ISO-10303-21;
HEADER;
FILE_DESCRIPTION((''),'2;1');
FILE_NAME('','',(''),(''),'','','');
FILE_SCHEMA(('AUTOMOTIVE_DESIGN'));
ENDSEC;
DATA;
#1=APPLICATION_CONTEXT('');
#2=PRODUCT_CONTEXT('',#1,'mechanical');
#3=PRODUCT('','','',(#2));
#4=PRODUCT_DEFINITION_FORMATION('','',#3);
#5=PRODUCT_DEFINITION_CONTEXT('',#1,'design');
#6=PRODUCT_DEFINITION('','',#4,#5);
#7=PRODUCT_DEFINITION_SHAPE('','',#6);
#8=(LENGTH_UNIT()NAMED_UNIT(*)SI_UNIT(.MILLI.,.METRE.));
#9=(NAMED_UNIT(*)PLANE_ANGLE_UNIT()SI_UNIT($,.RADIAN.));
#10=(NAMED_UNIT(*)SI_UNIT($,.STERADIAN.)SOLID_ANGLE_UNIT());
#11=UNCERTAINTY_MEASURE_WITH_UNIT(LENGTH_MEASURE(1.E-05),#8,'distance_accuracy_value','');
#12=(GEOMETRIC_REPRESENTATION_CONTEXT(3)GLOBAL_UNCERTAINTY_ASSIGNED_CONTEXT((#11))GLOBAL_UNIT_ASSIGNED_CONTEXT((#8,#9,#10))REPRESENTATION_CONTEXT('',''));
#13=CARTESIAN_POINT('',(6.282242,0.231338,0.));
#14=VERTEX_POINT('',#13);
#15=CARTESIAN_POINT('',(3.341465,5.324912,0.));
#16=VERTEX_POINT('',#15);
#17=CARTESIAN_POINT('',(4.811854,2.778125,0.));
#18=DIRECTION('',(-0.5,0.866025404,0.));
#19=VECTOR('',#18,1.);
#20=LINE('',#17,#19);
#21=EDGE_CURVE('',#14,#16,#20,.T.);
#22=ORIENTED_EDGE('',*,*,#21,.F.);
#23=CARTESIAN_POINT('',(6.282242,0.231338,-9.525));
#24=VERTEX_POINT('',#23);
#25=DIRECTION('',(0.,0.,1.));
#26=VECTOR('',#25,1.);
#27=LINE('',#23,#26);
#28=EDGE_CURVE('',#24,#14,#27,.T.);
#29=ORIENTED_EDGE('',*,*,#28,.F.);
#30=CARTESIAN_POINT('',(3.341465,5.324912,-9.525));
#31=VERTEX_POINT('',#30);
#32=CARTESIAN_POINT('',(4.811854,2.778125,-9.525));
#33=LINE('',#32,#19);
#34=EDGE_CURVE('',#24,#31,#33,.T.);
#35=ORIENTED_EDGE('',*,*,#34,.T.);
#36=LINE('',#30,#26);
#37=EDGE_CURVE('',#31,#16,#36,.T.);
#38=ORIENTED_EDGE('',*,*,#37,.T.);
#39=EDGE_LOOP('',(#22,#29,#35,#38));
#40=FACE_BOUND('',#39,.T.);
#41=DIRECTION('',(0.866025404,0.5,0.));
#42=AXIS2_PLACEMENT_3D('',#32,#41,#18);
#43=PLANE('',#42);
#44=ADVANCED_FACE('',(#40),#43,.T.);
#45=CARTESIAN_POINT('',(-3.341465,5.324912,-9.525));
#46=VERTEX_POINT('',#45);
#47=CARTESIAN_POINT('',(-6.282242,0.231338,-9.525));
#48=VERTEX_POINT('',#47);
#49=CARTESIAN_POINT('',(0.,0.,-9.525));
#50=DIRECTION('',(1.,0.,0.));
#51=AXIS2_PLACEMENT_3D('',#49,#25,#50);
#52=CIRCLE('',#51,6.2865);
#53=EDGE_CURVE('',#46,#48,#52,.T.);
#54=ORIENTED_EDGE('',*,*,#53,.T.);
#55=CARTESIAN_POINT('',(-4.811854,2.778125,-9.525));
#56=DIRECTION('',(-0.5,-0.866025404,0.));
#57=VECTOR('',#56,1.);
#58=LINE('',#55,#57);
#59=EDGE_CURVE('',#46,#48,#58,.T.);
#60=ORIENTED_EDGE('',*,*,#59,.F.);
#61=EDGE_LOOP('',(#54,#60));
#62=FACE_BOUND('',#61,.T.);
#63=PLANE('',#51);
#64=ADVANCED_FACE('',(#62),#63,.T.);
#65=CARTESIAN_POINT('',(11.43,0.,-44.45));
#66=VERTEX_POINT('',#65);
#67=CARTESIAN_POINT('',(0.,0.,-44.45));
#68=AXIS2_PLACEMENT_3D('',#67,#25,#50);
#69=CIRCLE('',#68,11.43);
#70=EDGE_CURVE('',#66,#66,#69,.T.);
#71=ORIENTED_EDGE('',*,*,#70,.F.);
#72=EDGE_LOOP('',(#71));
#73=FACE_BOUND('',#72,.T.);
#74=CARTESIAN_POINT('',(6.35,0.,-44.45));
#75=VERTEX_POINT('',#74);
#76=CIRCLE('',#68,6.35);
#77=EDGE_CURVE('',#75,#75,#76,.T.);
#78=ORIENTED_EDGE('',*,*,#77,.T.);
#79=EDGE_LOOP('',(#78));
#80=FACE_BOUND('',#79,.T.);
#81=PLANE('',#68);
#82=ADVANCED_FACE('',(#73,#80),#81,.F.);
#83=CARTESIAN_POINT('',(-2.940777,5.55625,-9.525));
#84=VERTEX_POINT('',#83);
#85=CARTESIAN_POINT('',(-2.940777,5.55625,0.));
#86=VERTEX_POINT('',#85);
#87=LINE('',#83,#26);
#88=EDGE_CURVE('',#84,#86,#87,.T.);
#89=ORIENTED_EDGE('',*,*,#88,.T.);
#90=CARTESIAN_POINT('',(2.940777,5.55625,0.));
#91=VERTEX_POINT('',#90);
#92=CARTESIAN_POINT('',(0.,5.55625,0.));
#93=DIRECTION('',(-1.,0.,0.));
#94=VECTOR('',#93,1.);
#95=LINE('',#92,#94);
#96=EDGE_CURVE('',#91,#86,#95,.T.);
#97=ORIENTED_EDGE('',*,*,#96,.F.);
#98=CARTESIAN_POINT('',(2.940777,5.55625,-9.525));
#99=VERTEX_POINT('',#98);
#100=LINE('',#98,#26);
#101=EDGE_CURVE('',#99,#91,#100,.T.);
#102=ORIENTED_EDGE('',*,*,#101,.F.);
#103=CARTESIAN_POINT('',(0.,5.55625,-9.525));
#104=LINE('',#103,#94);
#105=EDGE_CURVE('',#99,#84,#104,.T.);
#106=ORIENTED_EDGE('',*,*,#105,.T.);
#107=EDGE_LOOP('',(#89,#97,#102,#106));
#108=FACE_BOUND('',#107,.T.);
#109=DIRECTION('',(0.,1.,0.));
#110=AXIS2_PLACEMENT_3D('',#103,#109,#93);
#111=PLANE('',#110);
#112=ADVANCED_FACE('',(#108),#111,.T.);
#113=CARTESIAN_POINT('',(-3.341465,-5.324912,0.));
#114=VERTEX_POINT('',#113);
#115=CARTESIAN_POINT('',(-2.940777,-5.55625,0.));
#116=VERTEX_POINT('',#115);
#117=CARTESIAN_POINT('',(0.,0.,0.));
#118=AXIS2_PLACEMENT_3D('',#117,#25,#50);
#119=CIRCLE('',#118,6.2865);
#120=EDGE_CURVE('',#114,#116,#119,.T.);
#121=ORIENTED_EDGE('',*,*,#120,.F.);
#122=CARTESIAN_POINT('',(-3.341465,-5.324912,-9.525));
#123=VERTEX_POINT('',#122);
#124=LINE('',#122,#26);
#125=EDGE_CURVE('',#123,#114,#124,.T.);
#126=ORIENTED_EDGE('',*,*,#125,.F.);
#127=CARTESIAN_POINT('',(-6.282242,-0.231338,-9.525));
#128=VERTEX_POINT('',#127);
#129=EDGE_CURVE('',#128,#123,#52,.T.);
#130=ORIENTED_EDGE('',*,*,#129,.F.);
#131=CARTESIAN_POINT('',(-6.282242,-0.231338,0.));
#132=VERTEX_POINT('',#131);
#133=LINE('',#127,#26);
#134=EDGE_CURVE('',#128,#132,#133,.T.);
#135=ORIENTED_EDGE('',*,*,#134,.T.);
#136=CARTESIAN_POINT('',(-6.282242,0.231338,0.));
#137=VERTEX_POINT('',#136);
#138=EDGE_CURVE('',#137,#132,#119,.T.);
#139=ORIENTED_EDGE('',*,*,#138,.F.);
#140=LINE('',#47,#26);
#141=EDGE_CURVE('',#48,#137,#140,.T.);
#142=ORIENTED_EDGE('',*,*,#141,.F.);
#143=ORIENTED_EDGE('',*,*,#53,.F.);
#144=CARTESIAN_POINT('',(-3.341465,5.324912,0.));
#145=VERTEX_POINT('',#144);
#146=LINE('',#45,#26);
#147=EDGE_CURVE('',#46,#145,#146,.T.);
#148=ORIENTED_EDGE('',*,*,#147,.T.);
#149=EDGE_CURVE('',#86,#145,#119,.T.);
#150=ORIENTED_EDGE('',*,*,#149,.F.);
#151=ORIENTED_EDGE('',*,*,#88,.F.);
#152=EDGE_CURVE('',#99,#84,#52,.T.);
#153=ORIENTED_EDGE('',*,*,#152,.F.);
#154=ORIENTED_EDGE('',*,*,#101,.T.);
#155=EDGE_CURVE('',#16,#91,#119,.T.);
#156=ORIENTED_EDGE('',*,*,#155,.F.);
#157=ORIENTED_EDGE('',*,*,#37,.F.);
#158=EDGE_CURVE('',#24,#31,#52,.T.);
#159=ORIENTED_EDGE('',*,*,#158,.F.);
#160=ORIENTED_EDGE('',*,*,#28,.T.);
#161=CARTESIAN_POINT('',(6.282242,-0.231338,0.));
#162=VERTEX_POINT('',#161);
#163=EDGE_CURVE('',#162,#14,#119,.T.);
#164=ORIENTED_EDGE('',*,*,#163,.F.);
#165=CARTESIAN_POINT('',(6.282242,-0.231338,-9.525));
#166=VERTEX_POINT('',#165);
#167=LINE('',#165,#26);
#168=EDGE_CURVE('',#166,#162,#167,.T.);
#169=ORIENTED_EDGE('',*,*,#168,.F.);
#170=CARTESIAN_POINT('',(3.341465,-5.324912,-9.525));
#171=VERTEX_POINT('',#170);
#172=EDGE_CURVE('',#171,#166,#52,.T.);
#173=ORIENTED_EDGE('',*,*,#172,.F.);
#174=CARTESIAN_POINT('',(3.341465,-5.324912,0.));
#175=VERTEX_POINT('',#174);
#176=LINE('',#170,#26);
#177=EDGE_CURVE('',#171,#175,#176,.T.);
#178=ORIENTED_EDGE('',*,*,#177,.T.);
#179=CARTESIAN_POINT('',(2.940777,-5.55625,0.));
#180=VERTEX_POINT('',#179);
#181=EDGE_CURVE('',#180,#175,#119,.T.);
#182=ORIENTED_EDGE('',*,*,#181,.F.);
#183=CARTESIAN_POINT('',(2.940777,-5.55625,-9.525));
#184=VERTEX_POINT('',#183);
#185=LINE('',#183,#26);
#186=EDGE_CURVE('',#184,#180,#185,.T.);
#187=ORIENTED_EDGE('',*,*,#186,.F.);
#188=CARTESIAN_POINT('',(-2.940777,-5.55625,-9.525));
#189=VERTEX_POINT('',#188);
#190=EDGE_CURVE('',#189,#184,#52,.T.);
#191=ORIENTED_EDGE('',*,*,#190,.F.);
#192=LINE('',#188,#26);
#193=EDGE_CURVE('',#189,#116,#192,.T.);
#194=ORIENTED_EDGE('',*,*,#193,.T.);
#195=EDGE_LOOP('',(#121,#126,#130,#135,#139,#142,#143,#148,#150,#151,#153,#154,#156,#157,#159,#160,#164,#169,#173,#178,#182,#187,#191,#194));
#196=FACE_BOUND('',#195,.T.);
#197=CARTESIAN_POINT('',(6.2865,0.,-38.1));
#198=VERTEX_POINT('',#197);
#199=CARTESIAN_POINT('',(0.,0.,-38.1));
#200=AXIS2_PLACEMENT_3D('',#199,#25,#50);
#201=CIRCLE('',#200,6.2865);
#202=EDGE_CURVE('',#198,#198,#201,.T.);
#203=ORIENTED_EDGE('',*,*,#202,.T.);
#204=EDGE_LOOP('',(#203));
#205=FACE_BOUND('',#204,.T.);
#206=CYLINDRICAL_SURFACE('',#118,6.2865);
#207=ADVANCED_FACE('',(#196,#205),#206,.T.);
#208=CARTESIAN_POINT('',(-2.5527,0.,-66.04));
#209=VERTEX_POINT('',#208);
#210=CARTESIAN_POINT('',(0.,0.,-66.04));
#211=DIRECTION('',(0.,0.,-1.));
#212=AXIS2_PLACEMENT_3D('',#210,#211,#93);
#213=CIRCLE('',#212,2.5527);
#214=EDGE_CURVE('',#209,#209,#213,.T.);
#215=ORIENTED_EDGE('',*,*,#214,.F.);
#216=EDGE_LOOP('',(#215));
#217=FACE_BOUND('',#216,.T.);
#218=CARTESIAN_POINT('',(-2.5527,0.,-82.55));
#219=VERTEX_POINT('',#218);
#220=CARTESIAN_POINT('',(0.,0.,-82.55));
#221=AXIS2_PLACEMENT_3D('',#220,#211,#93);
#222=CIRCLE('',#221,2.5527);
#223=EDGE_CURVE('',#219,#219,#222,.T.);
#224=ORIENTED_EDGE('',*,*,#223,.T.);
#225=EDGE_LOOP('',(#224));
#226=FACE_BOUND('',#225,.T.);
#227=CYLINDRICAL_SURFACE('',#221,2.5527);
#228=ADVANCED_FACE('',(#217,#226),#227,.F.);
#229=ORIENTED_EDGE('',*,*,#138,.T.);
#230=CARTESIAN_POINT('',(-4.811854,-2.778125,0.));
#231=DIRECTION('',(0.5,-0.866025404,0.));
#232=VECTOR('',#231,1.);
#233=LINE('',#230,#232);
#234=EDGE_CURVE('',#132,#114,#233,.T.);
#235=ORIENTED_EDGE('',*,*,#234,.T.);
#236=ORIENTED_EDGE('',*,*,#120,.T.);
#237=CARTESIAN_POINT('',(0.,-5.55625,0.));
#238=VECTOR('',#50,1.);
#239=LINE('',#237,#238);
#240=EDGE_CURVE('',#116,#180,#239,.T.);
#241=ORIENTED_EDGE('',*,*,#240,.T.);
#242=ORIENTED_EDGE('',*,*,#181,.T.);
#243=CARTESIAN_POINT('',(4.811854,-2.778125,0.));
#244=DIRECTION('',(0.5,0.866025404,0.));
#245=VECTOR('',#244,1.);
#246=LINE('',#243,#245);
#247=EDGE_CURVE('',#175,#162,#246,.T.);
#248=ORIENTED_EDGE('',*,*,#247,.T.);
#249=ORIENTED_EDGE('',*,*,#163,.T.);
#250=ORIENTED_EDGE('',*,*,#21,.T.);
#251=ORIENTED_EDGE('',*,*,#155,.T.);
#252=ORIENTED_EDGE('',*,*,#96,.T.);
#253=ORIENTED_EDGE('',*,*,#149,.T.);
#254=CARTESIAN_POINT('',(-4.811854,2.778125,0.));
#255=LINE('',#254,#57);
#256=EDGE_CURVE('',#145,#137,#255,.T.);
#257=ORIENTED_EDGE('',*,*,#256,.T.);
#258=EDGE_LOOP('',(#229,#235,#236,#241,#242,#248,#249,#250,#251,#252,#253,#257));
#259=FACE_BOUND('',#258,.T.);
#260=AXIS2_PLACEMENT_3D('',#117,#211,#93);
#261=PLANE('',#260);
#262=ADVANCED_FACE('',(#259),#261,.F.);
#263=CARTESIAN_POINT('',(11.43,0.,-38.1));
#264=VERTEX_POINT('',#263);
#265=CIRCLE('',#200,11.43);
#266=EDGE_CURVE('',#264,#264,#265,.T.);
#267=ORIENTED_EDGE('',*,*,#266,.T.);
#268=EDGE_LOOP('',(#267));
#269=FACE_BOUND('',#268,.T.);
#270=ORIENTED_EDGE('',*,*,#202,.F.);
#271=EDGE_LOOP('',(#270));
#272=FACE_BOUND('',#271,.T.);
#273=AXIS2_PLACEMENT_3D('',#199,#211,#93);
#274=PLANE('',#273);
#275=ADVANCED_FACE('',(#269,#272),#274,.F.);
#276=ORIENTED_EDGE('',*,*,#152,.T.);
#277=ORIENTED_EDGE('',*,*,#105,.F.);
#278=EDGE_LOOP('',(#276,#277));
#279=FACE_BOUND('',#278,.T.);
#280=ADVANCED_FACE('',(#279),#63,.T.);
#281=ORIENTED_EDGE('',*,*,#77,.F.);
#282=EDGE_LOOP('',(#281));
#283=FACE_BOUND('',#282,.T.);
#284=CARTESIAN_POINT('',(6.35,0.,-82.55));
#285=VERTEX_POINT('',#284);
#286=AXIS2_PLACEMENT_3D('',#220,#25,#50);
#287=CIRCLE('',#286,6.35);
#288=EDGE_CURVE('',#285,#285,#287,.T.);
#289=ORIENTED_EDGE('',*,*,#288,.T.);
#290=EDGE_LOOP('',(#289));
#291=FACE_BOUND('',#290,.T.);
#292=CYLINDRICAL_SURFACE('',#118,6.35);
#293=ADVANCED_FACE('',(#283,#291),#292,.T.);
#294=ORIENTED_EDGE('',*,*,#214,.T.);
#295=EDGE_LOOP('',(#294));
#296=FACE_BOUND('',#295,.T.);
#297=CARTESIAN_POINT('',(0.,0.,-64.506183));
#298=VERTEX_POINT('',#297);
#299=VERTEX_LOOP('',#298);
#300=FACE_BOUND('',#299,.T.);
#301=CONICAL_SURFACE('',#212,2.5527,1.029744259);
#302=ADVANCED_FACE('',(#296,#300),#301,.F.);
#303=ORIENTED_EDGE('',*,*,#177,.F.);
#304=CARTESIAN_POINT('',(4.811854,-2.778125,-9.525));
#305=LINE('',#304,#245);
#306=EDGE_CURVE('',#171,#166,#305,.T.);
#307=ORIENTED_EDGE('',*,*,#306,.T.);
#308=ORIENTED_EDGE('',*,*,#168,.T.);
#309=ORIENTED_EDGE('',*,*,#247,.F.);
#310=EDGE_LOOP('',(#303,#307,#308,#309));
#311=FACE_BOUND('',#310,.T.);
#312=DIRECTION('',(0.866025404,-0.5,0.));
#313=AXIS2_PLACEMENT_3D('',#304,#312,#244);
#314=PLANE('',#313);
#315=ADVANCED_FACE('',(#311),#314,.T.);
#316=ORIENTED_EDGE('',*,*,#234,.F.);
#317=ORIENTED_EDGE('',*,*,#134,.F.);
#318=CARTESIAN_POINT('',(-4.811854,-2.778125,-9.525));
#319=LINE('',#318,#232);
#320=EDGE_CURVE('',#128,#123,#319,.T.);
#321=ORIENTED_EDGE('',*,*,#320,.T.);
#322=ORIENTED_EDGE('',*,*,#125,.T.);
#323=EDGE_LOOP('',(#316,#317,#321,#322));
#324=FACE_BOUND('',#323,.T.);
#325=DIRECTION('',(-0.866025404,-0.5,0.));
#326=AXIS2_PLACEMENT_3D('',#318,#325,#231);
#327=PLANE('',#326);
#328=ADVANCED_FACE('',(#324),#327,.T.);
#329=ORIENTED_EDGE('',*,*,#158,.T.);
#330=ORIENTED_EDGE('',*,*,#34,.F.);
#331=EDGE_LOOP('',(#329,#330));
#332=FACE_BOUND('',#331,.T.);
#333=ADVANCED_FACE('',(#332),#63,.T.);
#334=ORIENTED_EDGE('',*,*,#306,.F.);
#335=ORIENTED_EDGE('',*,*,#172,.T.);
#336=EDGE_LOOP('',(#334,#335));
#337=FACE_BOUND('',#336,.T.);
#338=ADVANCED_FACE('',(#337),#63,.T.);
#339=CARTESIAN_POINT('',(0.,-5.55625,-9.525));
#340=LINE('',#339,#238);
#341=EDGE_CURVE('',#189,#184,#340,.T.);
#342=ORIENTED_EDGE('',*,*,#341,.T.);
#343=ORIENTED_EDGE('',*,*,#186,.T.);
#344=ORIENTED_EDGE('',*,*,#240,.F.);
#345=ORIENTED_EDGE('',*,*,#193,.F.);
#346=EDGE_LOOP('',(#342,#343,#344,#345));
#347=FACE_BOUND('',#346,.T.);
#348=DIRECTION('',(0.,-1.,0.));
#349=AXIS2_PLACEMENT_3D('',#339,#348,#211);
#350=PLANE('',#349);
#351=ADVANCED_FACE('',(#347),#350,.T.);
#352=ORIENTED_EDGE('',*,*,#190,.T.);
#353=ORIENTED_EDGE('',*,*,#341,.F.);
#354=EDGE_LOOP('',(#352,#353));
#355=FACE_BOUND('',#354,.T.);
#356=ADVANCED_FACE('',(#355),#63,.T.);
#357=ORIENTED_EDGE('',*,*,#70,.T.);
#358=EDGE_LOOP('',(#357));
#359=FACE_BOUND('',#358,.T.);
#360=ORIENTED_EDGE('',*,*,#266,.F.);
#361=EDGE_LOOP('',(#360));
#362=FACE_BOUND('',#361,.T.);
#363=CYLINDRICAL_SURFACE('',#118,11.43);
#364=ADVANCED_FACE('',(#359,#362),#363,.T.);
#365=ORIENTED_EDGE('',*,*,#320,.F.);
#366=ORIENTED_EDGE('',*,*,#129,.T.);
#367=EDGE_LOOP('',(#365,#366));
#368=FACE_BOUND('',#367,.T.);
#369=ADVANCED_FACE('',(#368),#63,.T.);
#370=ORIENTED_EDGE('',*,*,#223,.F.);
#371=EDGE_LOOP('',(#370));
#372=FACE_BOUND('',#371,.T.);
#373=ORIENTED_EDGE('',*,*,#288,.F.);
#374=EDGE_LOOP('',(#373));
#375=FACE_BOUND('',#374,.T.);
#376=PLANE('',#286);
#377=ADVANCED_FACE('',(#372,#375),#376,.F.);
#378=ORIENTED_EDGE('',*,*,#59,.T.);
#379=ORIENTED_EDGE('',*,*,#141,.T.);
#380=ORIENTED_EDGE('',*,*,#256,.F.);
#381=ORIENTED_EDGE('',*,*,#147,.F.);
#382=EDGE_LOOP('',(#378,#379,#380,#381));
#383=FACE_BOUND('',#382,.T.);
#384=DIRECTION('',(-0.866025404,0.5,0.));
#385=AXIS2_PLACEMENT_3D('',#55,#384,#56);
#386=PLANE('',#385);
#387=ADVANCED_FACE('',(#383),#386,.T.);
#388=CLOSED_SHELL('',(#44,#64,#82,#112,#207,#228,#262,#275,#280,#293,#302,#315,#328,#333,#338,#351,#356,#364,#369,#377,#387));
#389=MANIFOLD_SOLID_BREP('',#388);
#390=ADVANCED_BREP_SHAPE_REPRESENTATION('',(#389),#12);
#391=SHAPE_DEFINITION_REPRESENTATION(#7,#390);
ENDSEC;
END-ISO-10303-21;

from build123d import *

# Parameters (mm, degrees)
F_1_4_20_TAPPED_HOLE1_D     = 5.1054
F_1_4_20_TAPPED_HOLE1_DEPTH = 16.51
F_1_4_20_TAPPED_HOLE1_TIP   = 1.533816902
CUT_EXTRUDE1_DEPTH          = 9.525


with BuildPart() as part:
    # Sketch1 → Revolve2 (revolve)
    with BuildSketch(Plane(origin=(0, 0, 0), x_dir=(0, 0, -1), z_dir=(1, 0, 0)), mode=Mode.PRIVATE) as revolve2_sk:
        Polygon((38.1, 6.2865), (0, 6.2865), (0, 0), (82.55, 0), (82.55, 6.35), (44.45, 6.35), (44.45, 11.43), (38.1, 11.43), align=None)
    revolve(revolve2_sk.sketch.rotate(Axis((0, 0, 0), (0, 0, -1)), 90), axis=Axis((0, 0, 0), (0, 0, -1)))

    # 1/4-20 Tapped Hole1
    with Locations(Plane(origin=(0, 0, -82.55), x_dir=(-1, 0, 0), z_dir=(0, 0, -1))):
        with Locations((0, 0)):
            Hole(F_1_4_20_TAPPED_HOLE1_D / 2, depth=F_1_4_20_TAPPED_HOLE1_DEPTH)
            with Locations((0, 0, -(F_1_4_20_TAPPED_HOLE1_DEPTH + F_1_4_20_TAPPED_HOLE1_TIP / 2))):  # 118° drill point
                Cone(0, F_1_4_20_TAPPED_HOLE1_D / 2, F_1_4_20_TAPPED_HOLE1_TIP, mode=Mode.SUBTRACT)

    # Sketch4 → Cut-Extrude1 (cut)
    with BuildSketch(Plane.XY):
        with BuildLine():
            ThreePointArc((2.9407768, 5.55625), (0, 6.2865), (-2.9407768, 5.55625))
            Line((-2.9407768, 5.55625), (2.9407768, 5.55625))
        make_face()
        with BuildLine():
            ThreePointArc((6.28224205, 0.231337584), (5.444268701, 3.14325), (3.34146525, 5.324912416))
            Line((3.34146525, 5.324912416), (6.28224205, 0.231337584))
        make_face()
        with BuildLine():
            Line((6.28224205, -0.231337584), (3.34146525, -5.324912416))
            ThreePointArc((3.34146525, -5.324912416), (5.444268701, -3.14325), (6.28224205, -0.231337584))
        make_face()
        with BuildLine():
            Line((2.9407768, -5.55625), (-2.9407768, -5.55625))
            ThreePointArc((-2.9407768, -5.55625), (0, -6.2865), (2.9407768, -5.55625))
        make_face()
        with BuildLine():
            Line((-3.34146525, -5.324912416), (-6.28224205, -0.231337584))
            ThreePointArc((-6.28224205, -0.231337584), (-5.444268701, -3.14325), (-3.34146525, -5.324912416))
        make_face()
        with BuildLine():
            ThreePointArc((-3.34146525, 5.324912416), (-5.444268701, 3.14325), (-6.28224205, 0.231337584))
            Line((-6.28224205, 0.231337584), (-3.34146525, 5.324912416))
        make_face()
    extrude(amount=-CUT_EXTRUDE1_DEPTH, mode=Mode.SUBTRACT)


solid = part.part
